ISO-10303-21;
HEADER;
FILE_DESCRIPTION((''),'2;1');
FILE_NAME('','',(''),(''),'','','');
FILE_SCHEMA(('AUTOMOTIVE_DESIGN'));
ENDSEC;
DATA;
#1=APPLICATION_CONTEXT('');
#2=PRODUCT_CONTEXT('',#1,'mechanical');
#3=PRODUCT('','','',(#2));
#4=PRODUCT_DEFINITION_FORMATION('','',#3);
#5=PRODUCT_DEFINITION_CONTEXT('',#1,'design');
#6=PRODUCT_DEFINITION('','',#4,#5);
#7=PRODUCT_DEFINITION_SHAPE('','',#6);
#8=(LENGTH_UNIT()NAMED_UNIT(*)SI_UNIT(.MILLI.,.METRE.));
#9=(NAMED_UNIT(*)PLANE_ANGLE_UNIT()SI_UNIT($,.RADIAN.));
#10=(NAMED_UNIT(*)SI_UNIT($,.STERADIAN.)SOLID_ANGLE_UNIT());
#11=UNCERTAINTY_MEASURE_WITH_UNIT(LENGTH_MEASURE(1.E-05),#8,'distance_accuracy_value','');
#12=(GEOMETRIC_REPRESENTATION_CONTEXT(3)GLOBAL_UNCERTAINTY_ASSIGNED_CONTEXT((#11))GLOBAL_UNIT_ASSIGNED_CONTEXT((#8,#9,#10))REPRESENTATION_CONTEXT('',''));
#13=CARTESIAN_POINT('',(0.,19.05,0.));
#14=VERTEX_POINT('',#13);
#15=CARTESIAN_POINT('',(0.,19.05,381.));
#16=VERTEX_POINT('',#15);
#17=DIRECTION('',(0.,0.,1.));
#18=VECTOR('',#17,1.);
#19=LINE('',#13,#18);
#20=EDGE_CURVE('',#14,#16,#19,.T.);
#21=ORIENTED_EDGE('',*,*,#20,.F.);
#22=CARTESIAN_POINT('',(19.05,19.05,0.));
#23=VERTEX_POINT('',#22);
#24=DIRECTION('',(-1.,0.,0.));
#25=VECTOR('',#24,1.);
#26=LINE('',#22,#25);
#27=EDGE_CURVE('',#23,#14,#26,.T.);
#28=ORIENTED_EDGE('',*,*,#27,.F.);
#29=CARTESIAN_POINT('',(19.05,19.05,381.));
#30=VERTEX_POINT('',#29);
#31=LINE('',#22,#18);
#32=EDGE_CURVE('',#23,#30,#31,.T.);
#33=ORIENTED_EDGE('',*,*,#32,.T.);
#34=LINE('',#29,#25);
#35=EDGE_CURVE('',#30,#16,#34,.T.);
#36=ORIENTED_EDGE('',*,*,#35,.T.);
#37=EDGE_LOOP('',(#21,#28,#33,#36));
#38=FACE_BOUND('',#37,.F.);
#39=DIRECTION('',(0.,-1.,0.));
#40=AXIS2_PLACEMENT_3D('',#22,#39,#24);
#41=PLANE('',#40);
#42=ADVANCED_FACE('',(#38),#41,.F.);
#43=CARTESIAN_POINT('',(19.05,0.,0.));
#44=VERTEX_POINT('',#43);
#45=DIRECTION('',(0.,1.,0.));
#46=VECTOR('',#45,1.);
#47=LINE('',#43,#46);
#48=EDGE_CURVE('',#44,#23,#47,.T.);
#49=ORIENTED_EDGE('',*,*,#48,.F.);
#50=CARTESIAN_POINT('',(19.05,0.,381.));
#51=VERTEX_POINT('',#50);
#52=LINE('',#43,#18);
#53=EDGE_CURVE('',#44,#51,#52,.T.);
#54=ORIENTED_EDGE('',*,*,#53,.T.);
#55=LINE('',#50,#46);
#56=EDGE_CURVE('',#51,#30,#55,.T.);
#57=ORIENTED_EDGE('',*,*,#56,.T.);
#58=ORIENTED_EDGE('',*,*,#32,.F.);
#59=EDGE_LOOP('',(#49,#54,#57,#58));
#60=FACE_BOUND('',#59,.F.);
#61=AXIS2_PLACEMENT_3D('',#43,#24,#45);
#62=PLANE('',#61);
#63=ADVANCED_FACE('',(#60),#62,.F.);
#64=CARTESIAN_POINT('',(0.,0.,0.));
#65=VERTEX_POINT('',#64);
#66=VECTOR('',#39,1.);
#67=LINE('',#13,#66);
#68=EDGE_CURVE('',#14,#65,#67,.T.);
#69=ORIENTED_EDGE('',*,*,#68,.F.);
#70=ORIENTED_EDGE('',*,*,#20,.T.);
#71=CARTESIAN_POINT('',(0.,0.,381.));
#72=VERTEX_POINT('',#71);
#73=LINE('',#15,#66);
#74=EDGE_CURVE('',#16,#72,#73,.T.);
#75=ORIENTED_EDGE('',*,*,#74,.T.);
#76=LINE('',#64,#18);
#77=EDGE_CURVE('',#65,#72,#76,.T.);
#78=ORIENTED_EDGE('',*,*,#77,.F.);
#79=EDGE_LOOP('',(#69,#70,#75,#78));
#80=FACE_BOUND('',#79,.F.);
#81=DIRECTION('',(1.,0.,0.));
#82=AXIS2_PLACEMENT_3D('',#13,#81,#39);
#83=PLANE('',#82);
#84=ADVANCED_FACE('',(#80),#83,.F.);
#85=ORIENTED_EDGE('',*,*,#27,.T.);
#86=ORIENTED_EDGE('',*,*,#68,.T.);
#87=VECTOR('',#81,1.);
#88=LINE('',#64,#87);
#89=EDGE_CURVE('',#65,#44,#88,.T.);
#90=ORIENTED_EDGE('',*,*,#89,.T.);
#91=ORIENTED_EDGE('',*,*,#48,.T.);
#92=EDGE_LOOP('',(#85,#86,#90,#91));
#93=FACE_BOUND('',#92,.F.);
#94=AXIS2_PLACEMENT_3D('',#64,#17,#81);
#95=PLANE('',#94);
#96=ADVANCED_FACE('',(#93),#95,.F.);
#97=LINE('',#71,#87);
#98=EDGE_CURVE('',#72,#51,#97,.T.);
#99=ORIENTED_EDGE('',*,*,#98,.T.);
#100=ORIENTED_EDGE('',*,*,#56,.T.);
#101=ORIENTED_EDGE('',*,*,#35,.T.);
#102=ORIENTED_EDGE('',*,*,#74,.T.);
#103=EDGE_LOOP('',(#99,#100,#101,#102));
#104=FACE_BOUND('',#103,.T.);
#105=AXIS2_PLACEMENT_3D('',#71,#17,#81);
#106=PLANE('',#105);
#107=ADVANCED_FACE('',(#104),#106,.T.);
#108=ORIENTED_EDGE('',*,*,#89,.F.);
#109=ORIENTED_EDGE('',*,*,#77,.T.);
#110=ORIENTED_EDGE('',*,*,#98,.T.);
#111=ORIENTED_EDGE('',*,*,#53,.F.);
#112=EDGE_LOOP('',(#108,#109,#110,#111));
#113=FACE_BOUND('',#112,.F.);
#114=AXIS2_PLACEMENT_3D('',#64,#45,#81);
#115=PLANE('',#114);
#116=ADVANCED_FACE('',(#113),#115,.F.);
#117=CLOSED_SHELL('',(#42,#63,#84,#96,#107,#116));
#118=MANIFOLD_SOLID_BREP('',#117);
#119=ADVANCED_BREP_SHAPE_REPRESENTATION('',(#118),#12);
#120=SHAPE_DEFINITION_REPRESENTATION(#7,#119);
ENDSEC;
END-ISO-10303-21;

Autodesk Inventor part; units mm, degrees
ref_plane "YZ Plane" through (0, 0, 0) normal (1, 0, 0) x (0, 1, 0)
ref_plane "XZ Plane" through (0, 0, 0) normal (0, 1, 0) x (-1, 0, 0)
ref_plane "XY Plane" through (0, 0, 0) normal (0, 0, 1) x (1, 0, 0)
sketch "Sketch1" plane through (0, 0, 0) normal (0, 0, 1) x (1, 0, 0)
  line L0 (0, 0) -> (19.05, 0)
  line L1 (19.05, 0) -> (19.05, 19.05)
  line L2 (19.05, 19.05) -> (0, 19.05)
  line L3 (0, 19.05) -> (0, 0)
  dimension "d0" = 19.05
  dimension "d1" = 19.05
extrude "Extrusion1" add sketch "Sketch1" along normal blind 381
properties part number "x base piece"
